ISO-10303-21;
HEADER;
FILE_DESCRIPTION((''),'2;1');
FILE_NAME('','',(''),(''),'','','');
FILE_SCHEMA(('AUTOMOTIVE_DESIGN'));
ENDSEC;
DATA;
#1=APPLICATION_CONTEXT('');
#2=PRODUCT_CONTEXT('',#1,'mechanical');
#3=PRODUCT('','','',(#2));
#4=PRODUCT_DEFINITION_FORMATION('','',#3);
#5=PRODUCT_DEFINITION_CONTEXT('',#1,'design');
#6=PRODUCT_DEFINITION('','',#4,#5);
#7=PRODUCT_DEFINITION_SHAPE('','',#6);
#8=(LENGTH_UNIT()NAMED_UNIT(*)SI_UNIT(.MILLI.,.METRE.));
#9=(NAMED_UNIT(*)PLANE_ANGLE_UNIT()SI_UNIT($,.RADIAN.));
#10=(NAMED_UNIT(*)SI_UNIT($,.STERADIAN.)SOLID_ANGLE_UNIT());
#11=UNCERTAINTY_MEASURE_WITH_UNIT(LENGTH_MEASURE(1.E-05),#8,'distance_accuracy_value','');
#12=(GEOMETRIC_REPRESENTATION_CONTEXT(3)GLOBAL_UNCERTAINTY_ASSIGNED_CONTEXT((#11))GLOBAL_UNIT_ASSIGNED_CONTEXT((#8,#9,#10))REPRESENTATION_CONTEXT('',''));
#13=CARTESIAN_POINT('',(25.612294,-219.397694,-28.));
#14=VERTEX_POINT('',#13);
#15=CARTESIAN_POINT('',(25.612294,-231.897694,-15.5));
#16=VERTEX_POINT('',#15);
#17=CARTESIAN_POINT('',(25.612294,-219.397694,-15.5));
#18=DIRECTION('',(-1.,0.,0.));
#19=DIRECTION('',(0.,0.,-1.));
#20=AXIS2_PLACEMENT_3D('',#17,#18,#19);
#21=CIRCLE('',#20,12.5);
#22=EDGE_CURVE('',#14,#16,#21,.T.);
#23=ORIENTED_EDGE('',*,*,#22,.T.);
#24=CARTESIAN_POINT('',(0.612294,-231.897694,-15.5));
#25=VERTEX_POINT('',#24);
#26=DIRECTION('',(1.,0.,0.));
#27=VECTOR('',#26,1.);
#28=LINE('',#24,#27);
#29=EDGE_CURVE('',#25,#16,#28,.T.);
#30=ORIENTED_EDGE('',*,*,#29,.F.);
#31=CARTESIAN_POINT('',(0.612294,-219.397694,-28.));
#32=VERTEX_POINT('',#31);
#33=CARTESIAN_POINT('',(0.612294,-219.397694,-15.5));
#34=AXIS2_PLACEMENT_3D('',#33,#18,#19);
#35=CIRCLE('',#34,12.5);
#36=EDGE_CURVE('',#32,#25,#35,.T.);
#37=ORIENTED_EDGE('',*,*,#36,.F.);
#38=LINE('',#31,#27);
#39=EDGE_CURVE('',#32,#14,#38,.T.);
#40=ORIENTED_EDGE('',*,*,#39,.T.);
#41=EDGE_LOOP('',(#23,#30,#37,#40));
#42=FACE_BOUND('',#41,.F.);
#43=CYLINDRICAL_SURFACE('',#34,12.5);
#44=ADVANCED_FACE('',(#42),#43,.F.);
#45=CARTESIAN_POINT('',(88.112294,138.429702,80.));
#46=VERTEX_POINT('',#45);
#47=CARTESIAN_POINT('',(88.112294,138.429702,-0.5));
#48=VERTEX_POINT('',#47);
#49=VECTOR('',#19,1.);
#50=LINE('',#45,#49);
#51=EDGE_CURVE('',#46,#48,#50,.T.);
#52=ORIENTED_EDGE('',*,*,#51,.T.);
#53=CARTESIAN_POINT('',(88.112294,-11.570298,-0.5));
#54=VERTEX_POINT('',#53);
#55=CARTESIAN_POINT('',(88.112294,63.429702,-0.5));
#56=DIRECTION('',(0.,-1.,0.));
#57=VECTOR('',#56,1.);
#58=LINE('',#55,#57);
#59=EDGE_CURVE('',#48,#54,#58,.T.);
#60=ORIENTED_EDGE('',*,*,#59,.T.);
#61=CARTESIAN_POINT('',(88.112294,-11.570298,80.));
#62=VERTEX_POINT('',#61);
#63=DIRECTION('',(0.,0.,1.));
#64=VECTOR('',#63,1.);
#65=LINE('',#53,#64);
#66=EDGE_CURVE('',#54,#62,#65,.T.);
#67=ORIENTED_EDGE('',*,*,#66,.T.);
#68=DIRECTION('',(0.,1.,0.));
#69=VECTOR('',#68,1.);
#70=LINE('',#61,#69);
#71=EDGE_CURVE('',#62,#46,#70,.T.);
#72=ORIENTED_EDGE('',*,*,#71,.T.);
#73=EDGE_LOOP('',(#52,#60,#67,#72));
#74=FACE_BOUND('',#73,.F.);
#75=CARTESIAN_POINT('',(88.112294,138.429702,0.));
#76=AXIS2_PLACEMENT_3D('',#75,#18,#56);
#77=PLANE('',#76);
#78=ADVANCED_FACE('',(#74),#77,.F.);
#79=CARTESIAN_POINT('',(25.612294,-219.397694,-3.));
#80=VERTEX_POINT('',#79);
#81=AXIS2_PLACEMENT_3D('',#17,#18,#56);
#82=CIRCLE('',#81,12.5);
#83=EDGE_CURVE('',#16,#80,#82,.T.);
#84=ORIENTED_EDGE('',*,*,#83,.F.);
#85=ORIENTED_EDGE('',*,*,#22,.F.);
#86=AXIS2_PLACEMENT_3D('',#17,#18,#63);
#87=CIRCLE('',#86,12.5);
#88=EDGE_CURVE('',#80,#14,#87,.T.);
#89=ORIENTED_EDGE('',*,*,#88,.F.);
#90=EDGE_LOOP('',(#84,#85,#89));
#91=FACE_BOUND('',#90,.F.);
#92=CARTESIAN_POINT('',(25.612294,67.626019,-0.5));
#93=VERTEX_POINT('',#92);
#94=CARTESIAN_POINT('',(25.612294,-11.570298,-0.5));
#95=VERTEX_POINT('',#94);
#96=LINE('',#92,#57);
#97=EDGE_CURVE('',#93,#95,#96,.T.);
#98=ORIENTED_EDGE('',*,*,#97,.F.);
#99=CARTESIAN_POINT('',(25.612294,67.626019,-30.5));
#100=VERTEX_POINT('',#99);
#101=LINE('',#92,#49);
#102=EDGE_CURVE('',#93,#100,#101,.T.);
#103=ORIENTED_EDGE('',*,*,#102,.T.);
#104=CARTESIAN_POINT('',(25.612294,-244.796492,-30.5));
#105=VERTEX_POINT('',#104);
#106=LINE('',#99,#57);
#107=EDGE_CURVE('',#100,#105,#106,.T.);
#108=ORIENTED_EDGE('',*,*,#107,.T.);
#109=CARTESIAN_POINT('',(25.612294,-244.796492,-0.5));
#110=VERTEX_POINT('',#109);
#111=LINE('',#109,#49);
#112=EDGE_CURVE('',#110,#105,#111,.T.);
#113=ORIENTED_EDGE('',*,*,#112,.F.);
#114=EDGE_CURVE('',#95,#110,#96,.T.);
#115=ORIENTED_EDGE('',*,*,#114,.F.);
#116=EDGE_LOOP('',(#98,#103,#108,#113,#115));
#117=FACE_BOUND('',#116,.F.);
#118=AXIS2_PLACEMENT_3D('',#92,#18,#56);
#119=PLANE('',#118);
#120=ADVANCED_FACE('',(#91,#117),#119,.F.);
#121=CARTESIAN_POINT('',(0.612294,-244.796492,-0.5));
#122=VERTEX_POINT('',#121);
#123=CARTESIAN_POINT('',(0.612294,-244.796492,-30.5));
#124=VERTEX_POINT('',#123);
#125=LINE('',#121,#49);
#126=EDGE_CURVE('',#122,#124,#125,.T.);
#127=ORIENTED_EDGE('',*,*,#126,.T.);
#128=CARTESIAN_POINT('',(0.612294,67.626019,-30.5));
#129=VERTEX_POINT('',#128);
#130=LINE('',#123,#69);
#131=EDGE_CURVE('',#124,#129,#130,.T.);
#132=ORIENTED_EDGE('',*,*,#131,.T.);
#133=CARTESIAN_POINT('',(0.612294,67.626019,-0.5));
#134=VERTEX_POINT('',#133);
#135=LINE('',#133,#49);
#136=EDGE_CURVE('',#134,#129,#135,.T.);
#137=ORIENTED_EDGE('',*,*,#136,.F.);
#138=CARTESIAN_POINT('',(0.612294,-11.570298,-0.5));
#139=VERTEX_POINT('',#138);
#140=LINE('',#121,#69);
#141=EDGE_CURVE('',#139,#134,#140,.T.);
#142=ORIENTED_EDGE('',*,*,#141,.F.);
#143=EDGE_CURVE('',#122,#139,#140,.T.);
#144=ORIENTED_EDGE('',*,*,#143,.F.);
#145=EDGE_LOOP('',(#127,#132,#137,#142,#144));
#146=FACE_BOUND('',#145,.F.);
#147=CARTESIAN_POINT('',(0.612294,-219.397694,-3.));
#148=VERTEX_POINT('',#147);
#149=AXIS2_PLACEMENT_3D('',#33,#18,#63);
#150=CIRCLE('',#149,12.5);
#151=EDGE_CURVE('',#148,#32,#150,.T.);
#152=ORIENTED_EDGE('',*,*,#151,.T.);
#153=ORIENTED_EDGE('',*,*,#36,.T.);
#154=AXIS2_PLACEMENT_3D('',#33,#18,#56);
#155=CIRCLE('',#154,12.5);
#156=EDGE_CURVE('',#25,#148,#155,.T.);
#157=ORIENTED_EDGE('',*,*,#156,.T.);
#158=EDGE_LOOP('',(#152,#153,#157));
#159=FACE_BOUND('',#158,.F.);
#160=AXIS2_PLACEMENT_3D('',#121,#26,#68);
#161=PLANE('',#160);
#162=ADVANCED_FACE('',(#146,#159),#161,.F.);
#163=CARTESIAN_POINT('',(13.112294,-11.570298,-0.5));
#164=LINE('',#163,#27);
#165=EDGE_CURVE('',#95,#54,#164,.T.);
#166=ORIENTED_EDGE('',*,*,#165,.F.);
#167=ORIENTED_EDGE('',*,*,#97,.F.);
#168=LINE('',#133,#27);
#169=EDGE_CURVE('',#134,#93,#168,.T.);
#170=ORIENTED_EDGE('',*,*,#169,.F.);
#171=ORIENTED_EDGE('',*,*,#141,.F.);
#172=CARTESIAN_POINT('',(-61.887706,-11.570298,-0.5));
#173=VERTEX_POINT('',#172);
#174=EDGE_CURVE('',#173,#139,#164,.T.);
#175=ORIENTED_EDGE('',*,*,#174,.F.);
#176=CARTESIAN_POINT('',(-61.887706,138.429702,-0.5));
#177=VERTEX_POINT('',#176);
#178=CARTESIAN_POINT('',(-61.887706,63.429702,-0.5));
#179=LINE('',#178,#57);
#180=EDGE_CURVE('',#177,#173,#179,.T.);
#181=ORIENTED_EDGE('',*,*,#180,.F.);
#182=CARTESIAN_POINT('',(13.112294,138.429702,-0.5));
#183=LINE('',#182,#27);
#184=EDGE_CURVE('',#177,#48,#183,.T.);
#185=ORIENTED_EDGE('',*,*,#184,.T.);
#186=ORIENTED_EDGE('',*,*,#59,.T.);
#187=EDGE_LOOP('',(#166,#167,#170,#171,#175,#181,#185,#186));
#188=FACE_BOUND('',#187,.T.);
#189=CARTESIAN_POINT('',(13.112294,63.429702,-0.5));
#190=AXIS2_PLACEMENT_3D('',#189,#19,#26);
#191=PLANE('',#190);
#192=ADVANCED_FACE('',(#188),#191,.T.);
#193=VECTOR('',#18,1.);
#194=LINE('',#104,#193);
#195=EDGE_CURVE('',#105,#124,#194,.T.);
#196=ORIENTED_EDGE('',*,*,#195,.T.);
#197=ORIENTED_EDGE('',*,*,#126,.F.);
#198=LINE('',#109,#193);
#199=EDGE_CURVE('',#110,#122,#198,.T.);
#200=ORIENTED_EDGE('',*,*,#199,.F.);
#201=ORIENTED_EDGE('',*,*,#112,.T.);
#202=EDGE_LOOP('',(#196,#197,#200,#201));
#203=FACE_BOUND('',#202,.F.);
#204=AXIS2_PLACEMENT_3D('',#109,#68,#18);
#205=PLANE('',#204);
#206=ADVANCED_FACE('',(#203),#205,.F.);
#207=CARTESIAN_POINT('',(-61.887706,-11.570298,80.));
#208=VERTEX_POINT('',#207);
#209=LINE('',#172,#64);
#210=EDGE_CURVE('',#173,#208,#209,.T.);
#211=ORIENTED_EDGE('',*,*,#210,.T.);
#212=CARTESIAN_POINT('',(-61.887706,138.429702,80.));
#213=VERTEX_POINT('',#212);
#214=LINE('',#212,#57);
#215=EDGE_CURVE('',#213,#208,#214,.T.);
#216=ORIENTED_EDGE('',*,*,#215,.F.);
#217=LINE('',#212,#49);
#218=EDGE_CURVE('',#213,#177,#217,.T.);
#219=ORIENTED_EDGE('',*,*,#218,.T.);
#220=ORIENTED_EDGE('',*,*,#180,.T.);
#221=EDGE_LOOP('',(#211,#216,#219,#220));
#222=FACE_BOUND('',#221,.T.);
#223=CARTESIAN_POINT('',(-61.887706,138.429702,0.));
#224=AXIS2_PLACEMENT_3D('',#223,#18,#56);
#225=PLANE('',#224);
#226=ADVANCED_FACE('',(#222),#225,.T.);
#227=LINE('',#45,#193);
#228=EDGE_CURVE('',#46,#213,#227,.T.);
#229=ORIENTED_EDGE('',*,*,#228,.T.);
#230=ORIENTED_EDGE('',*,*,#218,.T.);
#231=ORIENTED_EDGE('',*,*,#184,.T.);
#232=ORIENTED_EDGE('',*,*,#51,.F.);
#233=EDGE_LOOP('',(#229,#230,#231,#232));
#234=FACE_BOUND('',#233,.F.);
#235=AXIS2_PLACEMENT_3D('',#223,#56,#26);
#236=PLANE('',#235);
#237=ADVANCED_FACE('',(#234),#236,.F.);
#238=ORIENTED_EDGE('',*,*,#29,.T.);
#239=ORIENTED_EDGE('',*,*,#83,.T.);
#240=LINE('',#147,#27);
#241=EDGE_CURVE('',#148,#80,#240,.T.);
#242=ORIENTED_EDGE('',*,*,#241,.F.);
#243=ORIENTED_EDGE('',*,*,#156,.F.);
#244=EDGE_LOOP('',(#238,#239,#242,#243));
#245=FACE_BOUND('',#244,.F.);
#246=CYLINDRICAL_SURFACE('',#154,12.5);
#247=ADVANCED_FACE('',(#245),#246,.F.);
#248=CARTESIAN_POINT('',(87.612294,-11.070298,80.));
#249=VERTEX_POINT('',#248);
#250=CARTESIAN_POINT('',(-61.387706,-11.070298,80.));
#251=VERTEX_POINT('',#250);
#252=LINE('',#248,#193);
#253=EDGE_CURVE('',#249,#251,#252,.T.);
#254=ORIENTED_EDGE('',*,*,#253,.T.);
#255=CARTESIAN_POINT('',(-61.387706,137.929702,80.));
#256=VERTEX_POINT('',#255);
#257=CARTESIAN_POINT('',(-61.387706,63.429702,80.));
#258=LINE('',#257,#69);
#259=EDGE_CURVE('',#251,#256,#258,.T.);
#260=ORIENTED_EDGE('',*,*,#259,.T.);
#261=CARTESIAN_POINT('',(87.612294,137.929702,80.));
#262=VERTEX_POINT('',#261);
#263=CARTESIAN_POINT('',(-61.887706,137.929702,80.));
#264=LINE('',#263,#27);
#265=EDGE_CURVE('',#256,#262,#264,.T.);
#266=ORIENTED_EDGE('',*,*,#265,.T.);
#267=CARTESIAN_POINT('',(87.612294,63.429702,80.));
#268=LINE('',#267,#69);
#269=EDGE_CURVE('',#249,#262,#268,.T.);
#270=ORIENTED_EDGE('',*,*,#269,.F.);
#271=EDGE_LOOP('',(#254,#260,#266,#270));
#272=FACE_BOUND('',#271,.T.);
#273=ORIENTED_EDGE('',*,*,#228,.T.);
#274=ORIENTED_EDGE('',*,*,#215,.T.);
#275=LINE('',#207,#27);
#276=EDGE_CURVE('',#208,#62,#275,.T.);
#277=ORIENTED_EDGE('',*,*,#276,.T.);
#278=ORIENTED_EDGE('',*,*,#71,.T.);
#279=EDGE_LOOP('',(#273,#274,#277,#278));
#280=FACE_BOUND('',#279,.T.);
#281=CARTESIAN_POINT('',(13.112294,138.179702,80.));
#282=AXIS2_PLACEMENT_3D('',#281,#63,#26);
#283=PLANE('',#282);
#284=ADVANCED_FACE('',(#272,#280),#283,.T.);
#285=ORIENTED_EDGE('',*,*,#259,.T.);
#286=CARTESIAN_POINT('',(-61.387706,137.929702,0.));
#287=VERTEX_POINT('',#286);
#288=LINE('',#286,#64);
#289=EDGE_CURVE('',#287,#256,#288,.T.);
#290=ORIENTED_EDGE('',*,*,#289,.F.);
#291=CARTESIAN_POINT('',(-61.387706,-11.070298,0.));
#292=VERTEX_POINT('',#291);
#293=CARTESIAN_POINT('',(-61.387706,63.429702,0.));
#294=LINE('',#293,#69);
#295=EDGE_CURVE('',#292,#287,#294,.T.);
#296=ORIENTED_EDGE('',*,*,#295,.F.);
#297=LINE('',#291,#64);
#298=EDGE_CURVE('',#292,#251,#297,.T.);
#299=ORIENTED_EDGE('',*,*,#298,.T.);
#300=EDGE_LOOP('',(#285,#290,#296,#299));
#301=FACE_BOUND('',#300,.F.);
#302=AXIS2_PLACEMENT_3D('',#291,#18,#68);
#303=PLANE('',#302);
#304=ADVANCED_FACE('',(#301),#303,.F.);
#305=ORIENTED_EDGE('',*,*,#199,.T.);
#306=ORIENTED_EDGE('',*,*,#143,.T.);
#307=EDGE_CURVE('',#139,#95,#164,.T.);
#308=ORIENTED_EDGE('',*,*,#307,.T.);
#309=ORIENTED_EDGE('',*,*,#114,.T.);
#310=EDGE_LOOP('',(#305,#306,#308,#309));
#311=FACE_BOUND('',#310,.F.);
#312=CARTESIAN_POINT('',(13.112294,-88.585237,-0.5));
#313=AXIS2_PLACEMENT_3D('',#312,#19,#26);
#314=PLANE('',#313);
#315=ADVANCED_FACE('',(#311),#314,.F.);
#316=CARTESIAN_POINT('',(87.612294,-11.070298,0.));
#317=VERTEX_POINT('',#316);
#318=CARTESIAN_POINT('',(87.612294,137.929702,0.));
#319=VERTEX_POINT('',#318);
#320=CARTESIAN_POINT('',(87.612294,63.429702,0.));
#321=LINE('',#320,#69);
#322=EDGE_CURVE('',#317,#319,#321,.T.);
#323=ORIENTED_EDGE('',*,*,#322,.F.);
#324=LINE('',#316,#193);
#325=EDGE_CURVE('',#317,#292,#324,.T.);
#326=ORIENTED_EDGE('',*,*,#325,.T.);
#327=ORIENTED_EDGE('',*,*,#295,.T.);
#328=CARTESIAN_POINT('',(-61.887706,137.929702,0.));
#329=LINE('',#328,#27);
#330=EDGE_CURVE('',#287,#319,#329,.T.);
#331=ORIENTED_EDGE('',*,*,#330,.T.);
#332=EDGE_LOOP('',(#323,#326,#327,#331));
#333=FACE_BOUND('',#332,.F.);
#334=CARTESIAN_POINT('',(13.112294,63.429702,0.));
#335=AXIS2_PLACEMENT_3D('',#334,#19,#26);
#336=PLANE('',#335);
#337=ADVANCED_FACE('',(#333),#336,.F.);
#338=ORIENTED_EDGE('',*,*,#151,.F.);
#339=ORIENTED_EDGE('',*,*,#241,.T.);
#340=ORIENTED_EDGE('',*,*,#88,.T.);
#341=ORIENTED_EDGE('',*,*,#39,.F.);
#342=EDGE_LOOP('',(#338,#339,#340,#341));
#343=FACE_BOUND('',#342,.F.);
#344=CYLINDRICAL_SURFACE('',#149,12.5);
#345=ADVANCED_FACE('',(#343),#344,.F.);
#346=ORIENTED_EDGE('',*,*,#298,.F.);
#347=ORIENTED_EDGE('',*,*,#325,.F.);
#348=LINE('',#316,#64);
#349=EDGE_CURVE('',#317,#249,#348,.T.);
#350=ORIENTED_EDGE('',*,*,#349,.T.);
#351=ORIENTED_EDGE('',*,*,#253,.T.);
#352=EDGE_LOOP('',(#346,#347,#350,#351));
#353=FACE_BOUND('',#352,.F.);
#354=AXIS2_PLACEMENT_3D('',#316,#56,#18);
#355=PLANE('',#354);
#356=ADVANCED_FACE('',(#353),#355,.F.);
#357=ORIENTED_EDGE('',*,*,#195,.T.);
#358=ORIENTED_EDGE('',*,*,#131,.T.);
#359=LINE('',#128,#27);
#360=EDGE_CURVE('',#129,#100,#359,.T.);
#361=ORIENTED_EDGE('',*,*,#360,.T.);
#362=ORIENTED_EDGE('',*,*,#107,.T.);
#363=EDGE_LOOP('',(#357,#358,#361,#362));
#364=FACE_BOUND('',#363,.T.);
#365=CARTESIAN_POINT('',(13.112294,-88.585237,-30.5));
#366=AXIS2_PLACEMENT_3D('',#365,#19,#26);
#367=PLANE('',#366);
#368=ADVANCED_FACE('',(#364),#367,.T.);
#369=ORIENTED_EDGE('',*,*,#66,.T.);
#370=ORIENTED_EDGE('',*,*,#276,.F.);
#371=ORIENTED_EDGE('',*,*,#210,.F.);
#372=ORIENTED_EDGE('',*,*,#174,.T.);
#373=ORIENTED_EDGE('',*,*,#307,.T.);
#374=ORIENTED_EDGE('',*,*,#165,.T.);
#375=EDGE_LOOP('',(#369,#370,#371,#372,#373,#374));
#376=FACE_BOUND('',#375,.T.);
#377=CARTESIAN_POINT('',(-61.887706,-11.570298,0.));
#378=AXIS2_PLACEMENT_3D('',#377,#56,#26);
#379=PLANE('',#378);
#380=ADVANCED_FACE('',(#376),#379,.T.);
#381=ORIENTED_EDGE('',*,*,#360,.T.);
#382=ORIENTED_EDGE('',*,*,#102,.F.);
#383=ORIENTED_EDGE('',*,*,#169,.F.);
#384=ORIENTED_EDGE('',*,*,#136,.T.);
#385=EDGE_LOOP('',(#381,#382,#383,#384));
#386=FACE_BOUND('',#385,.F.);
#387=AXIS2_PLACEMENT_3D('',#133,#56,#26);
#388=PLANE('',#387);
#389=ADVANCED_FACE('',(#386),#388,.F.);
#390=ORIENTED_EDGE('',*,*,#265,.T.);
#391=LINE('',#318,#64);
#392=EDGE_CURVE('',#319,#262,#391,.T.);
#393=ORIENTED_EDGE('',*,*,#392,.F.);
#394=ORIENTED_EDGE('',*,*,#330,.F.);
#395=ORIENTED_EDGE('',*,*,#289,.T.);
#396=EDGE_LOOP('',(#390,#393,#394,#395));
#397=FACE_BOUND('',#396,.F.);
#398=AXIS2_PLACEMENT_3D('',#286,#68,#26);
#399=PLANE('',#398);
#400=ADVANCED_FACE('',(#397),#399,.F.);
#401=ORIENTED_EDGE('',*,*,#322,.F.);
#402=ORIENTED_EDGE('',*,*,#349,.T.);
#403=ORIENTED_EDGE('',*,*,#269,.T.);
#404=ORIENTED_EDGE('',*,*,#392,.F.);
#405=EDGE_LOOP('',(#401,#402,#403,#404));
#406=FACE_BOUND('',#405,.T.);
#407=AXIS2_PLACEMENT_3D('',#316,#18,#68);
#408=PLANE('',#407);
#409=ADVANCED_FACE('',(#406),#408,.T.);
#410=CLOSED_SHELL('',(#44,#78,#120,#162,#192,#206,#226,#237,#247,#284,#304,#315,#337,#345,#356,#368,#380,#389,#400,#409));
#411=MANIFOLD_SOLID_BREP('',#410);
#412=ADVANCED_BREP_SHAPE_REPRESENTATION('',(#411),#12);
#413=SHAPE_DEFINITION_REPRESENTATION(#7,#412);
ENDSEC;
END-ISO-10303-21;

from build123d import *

# Parameters (mm, degrees)
F0_W     = 0.5
F0_H     = 149
F1_DEPTH = 80
F2_W     = 150
F2_H     = 150
F3_DEPTH = 0.5
F5_DEPTH = 30
F7_DEPTH = 87.501
F9_DEPTH = 87.501


with BuildPart() as f1:
    # F0 (on Top) → F1 (new body)
    with BuildSketch(Plane.XY):
        Polygon((88.1122936055, 138.4297020262), (-61.8877063945, 138.4297020262), (-61.8877063945, 137.9297020262), (-61.3877063945, 137.9297020262), (87.6122936055, 137.9297020262), (88.1122936055, 137.9297020262), align=None)
        with Locations((-61.6377063945, 63.4297020262)):
            Rectangle(F0_W, F0_H)
        with Locations((87.8622936055, 63.4297020262)):
            Rectangle(F0_W, F0_H)
        Polygon((-61.3877063945, -11.0702979738), (-61.8877063945, -11.0702979738), (-61.8877063945, -11.5702979738), (88.1122936055, -11.5702979738), (88.1122936055, -11.0702979738), (87.6122936055, -11.0702979738), align=None)
    extrude(amount=F1_DEPTH)

    # F2 (on face) → F3 (join)
    with BuildSketch(Plane(origin=(0, 0, 0), x_dir=(1, 0, 0), z_dir=(0, 0, -1))):
        with Locations((13.1122936055, -63.4297020262)):
            Rectangle(F2_W, F2_H)
    extrude(amount=F3_DEPTH)

    # F4 (on face) → F5 (join)
    with BuildSketch(Plane(origin=(0, 0, -0.5), x_dir=(1, 0, 0), z_dir=(0, 0, -1))):
        Polygon((0.6122936055, -67.6260187756), (25.6122936055, -67.6260187756), (25.6122936055, 11.5702979738), (25.6122936055, 244.7964921594), (0.6122936055, 244.7964921594), (0.6122936055, 11.5702979738), align=None)
    extrude(amount=F5_DEPTH)

    # F6 (on face) → F7 (cut, through all)
    with BuildSketch(Plane.YZ.offset(25.6122936055)):
        with BuildLine():
            Line((85.952706635, -16.575855797), (85.952706635, -14.424144203))
            ThreePointArc((85.952706635, -14.424144203), (84.876850838, -15.5), (85.952706635, -16.575855797))
        make_face()
        with BuildLine():
            ThreePointArc((87.028562432, -15.5), (86.7134515646, -14.7392550704), (85.952706635, -14.424144203))
            Line((85.952706635, -14.424144203), (85.952706635, -16.575855797))
            ThreePointArc((85.952706635, -16.575855797), (86.7134515646, -16.2607449296), (87.028562432, -15.5))
        make_face()
    extrude(amount=-F7_DEPTH, mode=Mode.SUBTRACT)

    # F8 (on face) → F9 (cut, through all)
    with BuildSketch(Plane(origin=(0.6122936055, 0, 0), x_dir=(0, -1, 0), z_dir=(-1, 0, 0))):
        with BuildLine():
            ThreePointArc((231.8976938725, -15.5), (228.2365286373, -6.6611652352), (219.3976938725, -3))
            Line((219.3976938725, -3), (219.3976938725, -28))
            ThreePointArc((219.3976938725, -28), (228.2365286373, -24.3388347648), (231.8976938725, -15.5))
        make_face()
        with BuildLine():
            Line((219.3976938725, -28), (219.3976938725, -3))
            ThreePointArc((219.3976938725, -3), (206.8976938725, -15.5), (219.3976938725, -28))
        make_face()
    extrude(amount=-F9_DEPTH, mode=Mode.SUBTRACT)


solid = f1.part
